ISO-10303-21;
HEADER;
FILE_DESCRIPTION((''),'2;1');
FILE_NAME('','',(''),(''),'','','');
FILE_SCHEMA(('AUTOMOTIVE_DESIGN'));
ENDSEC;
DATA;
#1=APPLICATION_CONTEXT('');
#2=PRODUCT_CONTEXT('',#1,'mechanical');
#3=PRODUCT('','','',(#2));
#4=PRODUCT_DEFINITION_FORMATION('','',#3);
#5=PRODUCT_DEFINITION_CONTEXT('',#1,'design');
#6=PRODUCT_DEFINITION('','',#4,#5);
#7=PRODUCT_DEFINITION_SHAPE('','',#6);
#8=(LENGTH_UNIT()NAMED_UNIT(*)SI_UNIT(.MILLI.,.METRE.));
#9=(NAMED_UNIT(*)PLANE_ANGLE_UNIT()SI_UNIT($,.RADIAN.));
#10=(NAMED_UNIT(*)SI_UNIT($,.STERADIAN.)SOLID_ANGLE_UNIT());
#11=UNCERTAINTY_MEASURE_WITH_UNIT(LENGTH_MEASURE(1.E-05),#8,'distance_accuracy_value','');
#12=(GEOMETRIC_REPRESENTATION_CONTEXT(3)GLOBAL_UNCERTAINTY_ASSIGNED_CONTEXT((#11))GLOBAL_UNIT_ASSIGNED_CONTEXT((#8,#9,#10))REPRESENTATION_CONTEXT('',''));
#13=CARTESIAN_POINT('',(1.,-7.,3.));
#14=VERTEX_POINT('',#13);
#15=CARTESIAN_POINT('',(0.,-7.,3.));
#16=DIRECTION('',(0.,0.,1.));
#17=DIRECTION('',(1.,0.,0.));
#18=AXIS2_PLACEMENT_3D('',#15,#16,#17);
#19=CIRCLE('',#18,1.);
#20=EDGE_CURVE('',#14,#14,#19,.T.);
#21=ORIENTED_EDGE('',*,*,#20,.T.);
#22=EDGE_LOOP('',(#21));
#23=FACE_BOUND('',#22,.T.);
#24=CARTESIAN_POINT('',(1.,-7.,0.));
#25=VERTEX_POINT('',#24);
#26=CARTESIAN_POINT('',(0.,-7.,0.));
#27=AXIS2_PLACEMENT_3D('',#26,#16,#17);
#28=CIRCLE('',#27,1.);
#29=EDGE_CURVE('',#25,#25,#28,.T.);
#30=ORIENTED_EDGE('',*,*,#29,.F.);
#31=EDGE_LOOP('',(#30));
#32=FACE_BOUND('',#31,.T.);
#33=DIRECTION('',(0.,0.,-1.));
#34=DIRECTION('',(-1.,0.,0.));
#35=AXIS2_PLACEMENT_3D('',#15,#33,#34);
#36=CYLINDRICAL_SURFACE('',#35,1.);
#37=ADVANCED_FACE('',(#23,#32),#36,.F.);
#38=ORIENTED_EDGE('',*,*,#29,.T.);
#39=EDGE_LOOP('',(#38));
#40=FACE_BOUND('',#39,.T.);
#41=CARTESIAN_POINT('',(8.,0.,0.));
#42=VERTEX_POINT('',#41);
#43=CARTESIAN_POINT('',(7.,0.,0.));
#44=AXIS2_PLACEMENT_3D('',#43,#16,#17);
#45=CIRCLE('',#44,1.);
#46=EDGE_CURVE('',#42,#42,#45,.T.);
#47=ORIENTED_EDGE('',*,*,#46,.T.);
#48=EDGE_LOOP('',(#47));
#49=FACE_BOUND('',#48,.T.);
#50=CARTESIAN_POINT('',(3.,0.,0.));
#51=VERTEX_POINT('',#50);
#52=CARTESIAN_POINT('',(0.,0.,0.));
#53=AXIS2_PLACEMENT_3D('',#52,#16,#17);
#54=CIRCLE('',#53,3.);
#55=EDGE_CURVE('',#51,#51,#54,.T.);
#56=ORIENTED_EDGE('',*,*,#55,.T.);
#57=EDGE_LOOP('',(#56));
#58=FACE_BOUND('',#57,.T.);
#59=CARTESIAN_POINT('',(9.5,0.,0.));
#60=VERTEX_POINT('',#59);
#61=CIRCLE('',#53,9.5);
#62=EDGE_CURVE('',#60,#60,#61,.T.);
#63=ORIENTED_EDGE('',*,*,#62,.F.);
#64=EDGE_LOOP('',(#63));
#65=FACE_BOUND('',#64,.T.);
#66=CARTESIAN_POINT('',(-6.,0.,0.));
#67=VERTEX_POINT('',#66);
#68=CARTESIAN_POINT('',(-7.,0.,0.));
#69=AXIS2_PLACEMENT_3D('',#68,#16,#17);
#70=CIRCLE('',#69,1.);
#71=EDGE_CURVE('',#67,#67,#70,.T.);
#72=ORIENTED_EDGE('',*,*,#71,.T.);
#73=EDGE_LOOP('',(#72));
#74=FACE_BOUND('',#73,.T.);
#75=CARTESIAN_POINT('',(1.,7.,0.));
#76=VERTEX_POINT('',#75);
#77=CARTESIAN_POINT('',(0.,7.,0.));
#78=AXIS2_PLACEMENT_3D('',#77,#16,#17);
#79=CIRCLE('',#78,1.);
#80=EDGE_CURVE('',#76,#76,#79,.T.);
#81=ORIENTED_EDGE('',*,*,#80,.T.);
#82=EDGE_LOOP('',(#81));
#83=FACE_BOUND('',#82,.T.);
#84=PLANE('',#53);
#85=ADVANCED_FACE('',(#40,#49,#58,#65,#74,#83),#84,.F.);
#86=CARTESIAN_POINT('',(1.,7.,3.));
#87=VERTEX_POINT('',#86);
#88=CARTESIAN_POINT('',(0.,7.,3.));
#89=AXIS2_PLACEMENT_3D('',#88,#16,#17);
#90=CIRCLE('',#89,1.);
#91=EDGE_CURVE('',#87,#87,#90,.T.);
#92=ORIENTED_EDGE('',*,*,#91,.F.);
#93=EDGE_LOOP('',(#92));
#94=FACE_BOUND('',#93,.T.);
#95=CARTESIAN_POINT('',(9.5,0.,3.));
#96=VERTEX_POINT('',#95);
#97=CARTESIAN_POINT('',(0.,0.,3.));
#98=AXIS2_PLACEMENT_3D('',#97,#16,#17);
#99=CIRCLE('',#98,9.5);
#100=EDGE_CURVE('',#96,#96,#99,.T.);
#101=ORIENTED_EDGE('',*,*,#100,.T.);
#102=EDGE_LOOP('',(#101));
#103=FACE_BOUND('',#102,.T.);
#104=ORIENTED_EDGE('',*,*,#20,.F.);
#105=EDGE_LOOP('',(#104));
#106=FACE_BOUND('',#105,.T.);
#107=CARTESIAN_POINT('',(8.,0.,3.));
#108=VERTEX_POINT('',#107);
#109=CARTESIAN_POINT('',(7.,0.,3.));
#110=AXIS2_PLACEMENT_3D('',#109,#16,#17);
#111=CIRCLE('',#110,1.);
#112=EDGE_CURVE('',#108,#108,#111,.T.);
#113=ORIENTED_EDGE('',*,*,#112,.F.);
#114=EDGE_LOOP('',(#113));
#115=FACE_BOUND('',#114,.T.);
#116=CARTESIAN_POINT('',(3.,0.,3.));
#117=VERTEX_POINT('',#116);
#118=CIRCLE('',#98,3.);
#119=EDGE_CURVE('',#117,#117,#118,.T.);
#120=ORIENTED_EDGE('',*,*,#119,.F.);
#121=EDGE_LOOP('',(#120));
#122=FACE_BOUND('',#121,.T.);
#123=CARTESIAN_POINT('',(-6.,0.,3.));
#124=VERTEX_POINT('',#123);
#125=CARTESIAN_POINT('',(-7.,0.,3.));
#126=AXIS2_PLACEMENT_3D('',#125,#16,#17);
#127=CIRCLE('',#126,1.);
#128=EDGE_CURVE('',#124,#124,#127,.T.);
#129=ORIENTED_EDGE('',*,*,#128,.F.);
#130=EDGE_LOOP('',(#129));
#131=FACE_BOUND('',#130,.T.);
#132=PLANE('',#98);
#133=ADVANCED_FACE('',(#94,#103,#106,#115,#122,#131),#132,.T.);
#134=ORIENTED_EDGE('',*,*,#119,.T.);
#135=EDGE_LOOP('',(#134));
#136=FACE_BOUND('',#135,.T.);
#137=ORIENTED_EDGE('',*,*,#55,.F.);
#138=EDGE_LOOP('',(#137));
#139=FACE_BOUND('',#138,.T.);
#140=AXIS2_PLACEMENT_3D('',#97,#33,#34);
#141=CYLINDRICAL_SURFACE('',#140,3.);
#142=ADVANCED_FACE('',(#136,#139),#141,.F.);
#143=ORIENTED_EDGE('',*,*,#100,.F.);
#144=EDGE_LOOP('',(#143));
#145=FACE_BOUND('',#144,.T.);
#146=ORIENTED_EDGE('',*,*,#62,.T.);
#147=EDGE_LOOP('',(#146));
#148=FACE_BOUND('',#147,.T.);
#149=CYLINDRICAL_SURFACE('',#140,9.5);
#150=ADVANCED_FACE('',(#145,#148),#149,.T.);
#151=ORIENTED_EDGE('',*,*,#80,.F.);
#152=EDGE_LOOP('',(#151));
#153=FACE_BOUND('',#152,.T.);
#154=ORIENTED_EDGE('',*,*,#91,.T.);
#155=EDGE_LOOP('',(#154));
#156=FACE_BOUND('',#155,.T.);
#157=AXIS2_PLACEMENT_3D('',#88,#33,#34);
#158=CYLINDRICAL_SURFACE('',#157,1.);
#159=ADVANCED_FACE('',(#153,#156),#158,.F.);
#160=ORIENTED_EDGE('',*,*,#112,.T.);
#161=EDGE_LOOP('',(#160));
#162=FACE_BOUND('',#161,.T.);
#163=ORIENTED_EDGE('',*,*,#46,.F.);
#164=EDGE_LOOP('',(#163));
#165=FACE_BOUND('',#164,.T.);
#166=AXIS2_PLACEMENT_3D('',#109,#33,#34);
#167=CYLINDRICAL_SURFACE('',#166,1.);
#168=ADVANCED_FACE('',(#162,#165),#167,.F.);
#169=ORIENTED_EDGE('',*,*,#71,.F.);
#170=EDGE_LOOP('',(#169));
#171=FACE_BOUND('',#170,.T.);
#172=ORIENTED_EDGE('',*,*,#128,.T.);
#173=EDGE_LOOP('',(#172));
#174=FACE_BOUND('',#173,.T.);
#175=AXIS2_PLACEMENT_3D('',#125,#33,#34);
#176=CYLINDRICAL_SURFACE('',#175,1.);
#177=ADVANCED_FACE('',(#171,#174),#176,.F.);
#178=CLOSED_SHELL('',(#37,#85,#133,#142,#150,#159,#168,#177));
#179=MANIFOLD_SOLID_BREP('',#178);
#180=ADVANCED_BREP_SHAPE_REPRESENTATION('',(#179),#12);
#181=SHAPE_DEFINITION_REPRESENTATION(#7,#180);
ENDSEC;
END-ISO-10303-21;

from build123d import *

# Parameters (mm, degrees)
SKETCH1_R           = 9.5
SKETCH1_R_2         = 1
SKETCH1_R_3         = 3
BOSS_EXTRUDE1_DEPTH = 3


with BuildPart() as part:
    # Sketch1 → Boss-Extrude1 (new body)
    with BuildSketch(Plane.XY):
        Circle(SKETCH1_R)
        with Locations((0, 7)):
            Circle(SKETCH1_R_2, mode=Mode.SUBTRACT)
        with Locations((7, 0)):
            Circle(SKETCH1_R_2, mode=Mode.SUBTRACT)
        with Locations((0, -7)):
            Circle(SKETCH1_R_2, mode=Mode.SUBTRACT)
        with Locations((-7, 0)):
            Circle(SKETCH1_R_2, mode=Mode.SUBTRACT)
        Circle(SKETCH1_R_3, mode=Mode.SUBTRACT)
    extrude(amount=BOSS_EXTRUDE1_DEPTH)


solid = part.part
